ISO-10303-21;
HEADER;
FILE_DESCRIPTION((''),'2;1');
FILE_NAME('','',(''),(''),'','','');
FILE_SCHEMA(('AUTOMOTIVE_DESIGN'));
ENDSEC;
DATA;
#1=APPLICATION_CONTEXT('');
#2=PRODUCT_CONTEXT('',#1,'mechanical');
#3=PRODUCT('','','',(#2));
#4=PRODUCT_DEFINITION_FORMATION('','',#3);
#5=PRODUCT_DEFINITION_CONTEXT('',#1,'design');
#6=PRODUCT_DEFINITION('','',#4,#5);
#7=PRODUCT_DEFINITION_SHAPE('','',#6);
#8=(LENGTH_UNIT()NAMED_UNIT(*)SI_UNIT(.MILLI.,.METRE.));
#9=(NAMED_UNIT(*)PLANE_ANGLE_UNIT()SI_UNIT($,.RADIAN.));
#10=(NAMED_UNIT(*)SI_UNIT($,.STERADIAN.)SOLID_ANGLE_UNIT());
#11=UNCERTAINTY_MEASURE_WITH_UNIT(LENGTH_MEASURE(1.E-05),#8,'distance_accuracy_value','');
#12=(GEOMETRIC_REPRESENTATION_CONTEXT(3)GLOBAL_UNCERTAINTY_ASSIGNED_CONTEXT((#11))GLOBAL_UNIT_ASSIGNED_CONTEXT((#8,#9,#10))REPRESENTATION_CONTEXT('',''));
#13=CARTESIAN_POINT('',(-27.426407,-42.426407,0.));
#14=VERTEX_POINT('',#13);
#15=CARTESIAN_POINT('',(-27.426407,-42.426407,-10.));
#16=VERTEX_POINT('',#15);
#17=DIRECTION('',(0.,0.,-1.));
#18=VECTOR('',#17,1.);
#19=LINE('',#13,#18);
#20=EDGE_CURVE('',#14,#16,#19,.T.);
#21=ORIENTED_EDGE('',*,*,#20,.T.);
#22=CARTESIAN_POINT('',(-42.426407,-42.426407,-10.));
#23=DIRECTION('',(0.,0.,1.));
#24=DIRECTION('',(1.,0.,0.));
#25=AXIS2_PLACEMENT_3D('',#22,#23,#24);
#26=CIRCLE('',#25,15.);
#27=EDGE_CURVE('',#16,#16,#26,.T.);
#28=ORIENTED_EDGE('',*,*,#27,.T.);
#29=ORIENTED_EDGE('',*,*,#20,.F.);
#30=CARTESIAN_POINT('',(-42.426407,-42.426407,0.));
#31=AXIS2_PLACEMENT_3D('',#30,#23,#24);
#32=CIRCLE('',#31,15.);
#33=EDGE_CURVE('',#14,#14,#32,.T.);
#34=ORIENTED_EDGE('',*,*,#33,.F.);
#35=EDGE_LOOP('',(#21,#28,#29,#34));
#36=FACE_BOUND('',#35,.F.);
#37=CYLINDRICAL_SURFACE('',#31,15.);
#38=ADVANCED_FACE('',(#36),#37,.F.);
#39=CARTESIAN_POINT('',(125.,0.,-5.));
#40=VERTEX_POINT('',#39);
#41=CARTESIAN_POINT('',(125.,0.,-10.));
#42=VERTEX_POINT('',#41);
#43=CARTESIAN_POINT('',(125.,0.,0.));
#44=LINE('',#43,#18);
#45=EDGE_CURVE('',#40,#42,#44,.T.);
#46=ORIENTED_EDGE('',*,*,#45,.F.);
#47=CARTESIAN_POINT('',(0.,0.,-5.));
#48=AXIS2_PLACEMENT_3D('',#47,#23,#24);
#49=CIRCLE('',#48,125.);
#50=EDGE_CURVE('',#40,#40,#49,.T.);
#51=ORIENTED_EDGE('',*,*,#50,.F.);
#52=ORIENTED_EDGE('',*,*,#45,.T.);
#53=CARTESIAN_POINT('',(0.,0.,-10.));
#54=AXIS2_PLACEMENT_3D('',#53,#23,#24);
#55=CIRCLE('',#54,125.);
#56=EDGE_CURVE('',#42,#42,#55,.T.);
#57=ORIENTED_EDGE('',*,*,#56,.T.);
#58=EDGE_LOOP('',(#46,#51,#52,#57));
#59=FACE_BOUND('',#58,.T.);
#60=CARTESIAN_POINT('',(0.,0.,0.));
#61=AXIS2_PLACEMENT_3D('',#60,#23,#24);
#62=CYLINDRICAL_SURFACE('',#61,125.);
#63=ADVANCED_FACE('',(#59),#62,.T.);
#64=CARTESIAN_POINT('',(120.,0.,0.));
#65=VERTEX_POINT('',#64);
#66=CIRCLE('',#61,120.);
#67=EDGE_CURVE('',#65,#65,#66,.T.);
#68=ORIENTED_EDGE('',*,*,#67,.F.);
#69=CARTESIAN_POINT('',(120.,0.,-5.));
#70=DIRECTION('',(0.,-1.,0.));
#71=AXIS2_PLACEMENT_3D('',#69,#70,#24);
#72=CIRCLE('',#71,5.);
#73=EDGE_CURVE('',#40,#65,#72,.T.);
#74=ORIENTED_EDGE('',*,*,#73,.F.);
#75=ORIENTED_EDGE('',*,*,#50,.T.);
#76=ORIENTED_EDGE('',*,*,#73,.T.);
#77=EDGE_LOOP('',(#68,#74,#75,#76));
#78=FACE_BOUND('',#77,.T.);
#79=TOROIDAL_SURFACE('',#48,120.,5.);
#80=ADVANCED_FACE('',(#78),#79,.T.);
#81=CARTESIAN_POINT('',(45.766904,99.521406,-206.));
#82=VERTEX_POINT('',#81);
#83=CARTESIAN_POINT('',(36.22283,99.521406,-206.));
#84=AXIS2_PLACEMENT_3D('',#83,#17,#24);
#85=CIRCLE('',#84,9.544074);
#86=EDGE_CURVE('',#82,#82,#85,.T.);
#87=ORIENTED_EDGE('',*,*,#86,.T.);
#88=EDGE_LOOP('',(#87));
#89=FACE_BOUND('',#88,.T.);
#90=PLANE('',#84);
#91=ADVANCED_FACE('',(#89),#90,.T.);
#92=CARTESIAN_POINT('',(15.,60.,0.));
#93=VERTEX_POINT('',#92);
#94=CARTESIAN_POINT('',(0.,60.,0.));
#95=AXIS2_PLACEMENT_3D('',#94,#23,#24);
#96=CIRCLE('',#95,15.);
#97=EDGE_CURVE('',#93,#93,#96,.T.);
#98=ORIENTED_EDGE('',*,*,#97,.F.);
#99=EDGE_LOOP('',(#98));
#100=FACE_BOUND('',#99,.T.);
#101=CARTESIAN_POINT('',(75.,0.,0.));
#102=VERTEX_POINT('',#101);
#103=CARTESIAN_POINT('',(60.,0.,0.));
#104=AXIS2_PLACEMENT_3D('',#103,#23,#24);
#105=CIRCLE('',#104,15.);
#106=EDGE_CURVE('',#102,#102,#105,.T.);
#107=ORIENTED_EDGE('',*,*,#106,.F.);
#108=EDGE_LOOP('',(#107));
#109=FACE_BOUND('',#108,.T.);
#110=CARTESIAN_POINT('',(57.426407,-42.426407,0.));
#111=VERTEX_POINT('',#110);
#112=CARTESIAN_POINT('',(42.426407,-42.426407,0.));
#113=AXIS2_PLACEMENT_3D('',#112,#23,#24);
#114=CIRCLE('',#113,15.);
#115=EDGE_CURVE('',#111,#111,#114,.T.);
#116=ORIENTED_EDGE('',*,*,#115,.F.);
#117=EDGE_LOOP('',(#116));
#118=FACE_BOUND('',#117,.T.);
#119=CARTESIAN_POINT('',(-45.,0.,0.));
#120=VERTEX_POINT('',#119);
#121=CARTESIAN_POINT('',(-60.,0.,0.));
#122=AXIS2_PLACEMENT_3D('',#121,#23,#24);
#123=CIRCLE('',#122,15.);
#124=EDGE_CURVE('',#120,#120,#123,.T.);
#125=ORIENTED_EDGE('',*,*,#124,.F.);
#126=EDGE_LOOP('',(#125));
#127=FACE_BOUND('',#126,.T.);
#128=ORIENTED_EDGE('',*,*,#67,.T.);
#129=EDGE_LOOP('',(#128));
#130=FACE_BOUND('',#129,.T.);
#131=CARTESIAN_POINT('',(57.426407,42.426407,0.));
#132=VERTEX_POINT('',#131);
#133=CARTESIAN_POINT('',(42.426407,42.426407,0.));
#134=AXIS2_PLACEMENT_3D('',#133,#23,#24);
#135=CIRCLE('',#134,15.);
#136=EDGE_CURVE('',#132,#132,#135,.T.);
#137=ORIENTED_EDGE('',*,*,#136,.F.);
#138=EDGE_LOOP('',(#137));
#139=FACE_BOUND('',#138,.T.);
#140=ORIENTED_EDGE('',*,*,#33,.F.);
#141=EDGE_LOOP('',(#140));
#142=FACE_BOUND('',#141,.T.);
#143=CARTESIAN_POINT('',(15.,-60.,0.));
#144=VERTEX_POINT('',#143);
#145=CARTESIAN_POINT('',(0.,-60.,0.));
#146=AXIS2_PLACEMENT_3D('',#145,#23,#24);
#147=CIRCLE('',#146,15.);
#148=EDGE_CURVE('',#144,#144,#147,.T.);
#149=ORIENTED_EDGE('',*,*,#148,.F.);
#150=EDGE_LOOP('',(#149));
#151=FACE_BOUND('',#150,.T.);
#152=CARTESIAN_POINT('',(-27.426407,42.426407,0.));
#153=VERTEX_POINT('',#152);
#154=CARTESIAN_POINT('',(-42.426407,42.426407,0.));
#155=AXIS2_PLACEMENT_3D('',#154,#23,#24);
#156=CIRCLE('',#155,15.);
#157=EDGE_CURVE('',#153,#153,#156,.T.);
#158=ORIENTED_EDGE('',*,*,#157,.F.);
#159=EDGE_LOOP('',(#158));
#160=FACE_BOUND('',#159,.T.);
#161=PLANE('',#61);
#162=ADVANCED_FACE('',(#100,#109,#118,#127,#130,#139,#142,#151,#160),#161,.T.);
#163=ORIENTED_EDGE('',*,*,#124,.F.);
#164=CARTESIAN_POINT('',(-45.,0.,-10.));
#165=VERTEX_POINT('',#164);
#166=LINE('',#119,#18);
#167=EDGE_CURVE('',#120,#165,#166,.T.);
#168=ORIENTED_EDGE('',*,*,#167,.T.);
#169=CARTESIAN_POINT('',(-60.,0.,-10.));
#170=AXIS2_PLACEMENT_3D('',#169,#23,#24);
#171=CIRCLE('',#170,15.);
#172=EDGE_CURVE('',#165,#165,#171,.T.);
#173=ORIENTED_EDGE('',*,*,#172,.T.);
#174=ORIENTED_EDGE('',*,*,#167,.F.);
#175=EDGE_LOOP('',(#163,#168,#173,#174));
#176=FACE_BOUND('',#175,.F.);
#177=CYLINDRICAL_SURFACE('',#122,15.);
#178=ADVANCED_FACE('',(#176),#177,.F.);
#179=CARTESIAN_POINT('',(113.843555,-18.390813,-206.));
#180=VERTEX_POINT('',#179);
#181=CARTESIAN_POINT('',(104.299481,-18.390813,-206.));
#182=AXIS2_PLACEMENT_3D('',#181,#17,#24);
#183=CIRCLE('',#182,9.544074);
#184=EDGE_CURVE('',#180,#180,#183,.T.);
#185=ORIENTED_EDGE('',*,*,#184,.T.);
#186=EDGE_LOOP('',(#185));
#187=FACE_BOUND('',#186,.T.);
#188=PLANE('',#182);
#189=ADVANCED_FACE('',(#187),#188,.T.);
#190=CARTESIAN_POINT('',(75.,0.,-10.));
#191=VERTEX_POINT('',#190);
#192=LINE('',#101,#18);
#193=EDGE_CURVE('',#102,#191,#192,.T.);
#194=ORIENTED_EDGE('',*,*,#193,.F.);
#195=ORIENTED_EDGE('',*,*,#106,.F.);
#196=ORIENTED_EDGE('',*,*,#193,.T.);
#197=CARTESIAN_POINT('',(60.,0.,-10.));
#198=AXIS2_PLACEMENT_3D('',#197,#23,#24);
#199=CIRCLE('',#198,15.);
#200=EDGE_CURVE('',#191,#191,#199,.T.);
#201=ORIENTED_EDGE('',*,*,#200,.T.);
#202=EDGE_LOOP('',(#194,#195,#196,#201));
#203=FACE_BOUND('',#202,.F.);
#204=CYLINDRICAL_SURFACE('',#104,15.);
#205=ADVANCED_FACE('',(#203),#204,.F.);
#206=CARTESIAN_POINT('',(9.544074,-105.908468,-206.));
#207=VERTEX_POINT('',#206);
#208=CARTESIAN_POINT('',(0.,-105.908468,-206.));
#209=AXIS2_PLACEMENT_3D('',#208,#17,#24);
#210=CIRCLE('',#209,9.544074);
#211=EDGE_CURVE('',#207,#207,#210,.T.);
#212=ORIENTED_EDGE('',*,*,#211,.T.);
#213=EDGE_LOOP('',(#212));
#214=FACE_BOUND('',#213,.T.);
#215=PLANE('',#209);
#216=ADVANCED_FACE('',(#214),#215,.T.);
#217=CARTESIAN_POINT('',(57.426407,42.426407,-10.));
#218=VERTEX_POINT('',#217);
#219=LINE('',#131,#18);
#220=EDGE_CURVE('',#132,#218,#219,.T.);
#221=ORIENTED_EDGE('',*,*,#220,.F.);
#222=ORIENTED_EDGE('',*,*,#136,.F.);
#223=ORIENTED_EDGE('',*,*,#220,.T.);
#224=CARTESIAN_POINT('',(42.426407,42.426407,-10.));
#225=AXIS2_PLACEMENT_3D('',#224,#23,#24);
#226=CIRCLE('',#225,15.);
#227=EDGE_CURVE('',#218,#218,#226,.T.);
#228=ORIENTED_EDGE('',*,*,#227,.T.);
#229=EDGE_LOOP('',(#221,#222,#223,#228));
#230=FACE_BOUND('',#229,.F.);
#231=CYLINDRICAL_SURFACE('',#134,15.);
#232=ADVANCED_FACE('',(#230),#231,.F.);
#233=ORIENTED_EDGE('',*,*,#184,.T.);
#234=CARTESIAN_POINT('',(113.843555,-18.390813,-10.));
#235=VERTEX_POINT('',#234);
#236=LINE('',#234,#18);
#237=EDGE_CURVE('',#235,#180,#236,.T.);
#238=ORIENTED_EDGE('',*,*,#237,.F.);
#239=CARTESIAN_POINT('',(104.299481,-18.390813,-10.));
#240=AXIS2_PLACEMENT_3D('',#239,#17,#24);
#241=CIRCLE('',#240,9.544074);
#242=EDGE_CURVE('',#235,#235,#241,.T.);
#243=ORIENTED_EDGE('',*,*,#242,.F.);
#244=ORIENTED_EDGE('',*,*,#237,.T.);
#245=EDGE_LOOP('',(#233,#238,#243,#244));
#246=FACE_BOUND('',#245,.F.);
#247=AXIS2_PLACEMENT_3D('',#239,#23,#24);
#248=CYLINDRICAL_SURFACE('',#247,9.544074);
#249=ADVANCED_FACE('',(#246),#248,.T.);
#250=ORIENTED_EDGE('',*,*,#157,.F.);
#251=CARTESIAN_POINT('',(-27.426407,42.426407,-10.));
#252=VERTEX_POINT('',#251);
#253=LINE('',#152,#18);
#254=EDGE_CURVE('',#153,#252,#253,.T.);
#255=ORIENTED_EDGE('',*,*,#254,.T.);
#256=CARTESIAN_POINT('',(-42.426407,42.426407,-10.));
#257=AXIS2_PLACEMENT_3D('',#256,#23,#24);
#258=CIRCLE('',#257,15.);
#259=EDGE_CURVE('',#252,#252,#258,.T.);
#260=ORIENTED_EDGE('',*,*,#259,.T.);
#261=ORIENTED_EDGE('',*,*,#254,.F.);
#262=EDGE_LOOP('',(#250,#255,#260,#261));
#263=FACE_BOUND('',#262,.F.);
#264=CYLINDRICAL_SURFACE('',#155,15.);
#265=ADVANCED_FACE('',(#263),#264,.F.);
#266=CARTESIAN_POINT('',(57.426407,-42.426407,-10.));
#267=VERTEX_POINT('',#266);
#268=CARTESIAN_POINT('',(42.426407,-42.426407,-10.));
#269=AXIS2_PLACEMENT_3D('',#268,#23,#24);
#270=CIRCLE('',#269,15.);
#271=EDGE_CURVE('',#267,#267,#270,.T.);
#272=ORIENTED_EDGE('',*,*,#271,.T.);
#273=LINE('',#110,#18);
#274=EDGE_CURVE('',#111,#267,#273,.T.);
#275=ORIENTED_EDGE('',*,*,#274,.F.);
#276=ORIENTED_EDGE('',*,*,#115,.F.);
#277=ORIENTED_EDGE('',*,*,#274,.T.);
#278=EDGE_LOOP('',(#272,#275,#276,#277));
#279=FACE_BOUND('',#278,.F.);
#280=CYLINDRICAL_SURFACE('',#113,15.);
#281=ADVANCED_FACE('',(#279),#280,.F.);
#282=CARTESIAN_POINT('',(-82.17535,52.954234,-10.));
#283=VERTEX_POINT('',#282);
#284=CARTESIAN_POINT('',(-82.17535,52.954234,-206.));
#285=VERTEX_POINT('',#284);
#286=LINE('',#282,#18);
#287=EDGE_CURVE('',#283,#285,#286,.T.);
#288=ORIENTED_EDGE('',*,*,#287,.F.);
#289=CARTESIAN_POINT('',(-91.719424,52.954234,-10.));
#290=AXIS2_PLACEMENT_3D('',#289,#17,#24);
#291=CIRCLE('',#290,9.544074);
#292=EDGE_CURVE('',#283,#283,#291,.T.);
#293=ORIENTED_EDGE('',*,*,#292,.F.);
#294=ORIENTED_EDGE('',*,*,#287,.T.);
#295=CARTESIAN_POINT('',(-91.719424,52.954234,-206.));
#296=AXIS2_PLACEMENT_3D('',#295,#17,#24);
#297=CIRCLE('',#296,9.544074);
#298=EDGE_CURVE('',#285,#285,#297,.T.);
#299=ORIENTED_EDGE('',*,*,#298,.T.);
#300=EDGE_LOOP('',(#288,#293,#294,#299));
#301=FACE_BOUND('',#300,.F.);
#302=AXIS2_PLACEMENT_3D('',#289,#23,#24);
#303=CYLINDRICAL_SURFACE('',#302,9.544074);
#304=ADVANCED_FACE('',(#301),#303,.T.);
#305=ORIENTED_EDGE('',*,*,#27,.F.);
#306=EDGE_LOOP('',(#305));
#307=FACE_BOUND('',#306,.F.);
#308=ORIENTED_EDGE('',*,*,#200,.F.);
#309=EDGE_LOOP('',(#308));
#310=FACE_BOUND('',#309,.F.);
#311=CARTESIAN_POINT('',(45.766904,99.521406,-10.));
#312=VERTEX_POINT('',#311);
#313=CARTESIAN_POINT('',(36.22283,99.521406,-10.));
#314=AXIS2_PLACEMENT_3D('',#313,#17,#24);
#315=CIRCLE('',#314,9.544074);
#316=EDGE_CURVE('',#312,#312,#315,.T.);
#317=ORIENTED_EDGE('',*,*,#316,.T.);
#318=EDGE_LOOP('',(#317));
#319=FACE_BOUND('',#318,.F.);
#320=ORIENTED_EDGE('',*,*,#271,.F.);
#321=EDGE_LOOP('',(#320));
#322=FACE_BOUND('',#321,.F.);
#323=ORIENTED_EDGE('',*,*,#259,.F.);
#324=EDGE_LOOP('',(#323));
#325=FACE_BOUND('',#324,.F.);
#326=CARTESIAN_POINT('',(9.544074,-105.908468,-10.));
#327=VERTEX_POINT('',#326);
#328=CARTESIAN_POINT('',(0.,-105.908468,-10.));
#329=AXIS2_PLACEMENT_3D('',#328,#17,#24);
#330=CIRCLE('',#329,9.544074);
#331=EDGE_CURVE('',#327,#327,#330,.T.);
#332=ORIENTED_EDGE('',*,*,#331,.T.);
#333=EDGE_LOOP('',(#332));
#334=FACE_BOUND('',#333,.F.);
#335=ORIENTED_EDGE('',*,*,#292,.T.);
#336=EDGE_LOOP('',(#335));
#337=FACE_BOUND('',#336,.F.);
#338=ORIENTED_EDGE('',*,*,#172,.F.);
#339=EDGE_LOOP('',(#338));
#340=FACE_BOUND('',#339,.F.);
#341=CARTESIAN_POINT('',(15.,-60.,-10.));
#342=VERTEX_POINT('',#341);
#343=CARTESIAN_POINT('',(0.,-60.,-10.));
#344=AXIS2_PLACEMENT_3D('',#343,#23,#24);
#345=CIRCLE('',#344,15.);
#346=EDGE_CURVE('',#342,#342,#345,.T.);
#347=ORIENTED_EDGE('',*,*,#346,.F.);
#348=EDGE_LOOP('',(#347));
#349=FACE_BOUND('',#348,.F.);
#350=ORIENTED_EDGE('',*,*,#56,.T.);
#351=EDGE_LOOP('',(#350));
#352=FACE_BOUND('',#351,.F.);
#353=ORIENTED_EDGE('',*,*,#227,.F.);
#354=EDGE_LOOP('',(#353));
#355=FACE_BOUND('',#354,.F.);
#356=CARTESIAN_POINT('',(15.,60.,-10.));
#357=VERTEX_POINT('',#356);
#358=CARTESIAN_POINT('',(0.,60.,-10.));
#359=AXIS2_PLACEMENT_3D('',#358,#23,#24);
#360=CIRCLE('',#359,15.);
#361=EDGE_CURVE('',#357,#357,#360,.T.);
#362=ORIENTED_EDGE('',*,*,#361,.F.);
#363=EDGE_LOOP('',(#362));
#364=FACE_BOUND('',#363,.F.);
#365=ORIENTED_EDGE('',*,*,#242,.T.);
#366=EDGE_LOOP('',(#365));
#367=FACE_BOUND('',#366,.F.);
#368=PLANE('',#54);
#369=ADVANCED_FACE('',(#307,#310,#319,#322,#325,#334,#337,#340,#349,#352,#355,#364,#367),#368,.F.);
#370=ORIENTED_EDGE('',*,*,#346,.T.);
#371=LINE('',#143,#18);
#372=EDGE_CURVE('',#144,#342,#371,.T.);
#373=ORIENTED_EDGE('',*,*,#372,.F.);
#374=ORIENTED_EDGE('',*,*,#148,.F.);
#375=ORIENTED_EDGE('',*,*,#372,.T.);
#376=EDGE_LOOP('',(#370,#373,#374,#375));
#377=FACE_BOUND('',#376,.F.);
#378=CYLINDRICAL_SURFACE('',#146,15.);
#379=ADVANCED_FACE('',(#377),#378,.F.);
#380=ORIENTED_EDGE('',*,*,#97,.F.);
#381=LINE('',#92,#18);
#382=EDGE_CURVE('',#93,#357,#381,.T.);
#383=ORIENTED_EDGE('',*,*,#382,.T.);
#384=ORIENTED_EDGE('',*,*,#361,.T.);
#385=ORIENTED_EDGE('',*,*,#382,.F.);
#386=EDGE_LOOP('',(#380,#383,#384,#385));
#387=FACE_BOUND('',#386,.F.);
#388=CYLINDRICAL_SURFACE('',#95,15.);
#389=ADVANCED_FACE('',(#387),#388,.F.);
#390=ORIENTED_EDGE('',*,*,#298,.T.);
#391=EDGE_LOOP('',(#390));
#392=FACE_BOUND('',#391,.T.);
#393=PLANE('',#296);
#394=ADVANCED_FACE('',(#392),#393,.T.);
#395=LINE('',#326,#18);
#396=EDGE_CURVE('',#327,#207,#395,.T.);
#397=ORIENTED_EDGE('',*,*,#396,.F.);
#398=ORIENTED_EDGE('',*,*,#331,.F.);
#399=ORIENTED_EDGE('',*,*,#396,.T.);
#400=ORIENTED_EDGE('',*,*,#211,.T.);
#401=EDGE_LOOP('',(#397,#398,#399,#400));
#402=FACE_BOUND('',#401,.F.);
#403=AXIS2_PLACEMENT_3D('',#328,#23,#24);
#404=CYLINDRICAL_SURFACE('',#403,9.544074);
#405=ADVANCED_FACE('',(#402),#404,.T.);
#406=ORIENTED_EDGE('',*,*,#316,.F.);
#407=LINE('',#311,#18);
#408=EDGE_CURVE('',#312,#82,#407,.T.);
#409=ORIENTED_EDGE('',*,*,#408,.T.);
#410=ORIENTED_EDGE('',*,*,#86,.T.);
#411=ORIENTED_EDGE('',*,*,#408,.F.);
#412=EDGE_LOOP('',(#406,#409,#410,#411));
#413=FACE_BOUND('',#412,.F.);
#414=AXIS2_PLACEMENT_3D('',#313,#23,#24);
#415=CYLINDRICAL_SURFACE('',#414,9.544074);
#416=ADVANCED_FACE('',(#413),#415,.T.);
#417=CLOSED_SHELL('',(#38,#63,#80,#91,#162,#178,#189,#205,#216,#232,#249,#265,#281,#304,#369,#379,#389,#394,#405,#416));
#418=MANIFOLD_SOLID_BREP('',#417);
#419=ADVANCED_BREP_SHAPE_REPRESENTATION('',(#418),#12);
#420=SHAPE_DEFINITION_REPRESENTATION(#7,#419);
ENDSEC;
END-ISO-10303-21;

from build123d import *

# Parameters (mm, degrees)
F0_R     = 125
F2_DEPTH = 10
F1_R     = 15
F3_DEPTH = 10
F4_R     = 5
F5_R     = 9.544074
F6_DEPTH = 196


with BuildPart() as f2:
    # F0 (on Top) → F2 (new body)
    with BuildSketch(Plane.XY):
        Circle(F0_R)
    extrude(amount=-F2_DEPTH)

    # F1 (on face) → F3 (cut)
    with BuildSketch(Plane.XY):
        with Locations((-42.426407, 42.426407)):
            Circle(F1_R)
        with Locations((0, 60)):
            Circle(F1_R)
        with Locations((42.426407, 42.426407)):
            Circle(F1_R)
        with Locations((60, 0)):
            Circle(F1_R)
        with Locations((42.426407, -42.426407)):
            Circle(F1_R)
        with Locations((0, -60)):
            Circle(F1_R)
        with Locations((-42.426407, -42.426407)):
            Circle(F1_R)
        with Locations((-60, 0)):
            Circle(F1_R)
    extrude(amount=-F3_DEPTH, mode=Mode.SUBTRACT)

    # F4
    f4_edges = [f2.edges().sort_by_distance(p)[0] for p in [
        (-125, 0, 0),
    ]]
    fillet(f4_edges, radius=F4_R)

    # F5 (on face) → F6 (join)
    with BuildSketch(Plane(origin=(0, 0, -10), x_dir=(1, 0, 0), z_dir=(0, 0, -1))):
        with Locations((0, 105.908468)):
            Circle(F5_R)
        with Locations((104.299481, 18.390813)):
            Circle(F5_R)
        with Locations((36.22283, -99.521406)):
            Circle(F5_R)
        with Locations((-91.719424, -52.954234)):
            Circle(F5_R)
    extrude(amount=F6_DEPTH)


solid = f2.part
